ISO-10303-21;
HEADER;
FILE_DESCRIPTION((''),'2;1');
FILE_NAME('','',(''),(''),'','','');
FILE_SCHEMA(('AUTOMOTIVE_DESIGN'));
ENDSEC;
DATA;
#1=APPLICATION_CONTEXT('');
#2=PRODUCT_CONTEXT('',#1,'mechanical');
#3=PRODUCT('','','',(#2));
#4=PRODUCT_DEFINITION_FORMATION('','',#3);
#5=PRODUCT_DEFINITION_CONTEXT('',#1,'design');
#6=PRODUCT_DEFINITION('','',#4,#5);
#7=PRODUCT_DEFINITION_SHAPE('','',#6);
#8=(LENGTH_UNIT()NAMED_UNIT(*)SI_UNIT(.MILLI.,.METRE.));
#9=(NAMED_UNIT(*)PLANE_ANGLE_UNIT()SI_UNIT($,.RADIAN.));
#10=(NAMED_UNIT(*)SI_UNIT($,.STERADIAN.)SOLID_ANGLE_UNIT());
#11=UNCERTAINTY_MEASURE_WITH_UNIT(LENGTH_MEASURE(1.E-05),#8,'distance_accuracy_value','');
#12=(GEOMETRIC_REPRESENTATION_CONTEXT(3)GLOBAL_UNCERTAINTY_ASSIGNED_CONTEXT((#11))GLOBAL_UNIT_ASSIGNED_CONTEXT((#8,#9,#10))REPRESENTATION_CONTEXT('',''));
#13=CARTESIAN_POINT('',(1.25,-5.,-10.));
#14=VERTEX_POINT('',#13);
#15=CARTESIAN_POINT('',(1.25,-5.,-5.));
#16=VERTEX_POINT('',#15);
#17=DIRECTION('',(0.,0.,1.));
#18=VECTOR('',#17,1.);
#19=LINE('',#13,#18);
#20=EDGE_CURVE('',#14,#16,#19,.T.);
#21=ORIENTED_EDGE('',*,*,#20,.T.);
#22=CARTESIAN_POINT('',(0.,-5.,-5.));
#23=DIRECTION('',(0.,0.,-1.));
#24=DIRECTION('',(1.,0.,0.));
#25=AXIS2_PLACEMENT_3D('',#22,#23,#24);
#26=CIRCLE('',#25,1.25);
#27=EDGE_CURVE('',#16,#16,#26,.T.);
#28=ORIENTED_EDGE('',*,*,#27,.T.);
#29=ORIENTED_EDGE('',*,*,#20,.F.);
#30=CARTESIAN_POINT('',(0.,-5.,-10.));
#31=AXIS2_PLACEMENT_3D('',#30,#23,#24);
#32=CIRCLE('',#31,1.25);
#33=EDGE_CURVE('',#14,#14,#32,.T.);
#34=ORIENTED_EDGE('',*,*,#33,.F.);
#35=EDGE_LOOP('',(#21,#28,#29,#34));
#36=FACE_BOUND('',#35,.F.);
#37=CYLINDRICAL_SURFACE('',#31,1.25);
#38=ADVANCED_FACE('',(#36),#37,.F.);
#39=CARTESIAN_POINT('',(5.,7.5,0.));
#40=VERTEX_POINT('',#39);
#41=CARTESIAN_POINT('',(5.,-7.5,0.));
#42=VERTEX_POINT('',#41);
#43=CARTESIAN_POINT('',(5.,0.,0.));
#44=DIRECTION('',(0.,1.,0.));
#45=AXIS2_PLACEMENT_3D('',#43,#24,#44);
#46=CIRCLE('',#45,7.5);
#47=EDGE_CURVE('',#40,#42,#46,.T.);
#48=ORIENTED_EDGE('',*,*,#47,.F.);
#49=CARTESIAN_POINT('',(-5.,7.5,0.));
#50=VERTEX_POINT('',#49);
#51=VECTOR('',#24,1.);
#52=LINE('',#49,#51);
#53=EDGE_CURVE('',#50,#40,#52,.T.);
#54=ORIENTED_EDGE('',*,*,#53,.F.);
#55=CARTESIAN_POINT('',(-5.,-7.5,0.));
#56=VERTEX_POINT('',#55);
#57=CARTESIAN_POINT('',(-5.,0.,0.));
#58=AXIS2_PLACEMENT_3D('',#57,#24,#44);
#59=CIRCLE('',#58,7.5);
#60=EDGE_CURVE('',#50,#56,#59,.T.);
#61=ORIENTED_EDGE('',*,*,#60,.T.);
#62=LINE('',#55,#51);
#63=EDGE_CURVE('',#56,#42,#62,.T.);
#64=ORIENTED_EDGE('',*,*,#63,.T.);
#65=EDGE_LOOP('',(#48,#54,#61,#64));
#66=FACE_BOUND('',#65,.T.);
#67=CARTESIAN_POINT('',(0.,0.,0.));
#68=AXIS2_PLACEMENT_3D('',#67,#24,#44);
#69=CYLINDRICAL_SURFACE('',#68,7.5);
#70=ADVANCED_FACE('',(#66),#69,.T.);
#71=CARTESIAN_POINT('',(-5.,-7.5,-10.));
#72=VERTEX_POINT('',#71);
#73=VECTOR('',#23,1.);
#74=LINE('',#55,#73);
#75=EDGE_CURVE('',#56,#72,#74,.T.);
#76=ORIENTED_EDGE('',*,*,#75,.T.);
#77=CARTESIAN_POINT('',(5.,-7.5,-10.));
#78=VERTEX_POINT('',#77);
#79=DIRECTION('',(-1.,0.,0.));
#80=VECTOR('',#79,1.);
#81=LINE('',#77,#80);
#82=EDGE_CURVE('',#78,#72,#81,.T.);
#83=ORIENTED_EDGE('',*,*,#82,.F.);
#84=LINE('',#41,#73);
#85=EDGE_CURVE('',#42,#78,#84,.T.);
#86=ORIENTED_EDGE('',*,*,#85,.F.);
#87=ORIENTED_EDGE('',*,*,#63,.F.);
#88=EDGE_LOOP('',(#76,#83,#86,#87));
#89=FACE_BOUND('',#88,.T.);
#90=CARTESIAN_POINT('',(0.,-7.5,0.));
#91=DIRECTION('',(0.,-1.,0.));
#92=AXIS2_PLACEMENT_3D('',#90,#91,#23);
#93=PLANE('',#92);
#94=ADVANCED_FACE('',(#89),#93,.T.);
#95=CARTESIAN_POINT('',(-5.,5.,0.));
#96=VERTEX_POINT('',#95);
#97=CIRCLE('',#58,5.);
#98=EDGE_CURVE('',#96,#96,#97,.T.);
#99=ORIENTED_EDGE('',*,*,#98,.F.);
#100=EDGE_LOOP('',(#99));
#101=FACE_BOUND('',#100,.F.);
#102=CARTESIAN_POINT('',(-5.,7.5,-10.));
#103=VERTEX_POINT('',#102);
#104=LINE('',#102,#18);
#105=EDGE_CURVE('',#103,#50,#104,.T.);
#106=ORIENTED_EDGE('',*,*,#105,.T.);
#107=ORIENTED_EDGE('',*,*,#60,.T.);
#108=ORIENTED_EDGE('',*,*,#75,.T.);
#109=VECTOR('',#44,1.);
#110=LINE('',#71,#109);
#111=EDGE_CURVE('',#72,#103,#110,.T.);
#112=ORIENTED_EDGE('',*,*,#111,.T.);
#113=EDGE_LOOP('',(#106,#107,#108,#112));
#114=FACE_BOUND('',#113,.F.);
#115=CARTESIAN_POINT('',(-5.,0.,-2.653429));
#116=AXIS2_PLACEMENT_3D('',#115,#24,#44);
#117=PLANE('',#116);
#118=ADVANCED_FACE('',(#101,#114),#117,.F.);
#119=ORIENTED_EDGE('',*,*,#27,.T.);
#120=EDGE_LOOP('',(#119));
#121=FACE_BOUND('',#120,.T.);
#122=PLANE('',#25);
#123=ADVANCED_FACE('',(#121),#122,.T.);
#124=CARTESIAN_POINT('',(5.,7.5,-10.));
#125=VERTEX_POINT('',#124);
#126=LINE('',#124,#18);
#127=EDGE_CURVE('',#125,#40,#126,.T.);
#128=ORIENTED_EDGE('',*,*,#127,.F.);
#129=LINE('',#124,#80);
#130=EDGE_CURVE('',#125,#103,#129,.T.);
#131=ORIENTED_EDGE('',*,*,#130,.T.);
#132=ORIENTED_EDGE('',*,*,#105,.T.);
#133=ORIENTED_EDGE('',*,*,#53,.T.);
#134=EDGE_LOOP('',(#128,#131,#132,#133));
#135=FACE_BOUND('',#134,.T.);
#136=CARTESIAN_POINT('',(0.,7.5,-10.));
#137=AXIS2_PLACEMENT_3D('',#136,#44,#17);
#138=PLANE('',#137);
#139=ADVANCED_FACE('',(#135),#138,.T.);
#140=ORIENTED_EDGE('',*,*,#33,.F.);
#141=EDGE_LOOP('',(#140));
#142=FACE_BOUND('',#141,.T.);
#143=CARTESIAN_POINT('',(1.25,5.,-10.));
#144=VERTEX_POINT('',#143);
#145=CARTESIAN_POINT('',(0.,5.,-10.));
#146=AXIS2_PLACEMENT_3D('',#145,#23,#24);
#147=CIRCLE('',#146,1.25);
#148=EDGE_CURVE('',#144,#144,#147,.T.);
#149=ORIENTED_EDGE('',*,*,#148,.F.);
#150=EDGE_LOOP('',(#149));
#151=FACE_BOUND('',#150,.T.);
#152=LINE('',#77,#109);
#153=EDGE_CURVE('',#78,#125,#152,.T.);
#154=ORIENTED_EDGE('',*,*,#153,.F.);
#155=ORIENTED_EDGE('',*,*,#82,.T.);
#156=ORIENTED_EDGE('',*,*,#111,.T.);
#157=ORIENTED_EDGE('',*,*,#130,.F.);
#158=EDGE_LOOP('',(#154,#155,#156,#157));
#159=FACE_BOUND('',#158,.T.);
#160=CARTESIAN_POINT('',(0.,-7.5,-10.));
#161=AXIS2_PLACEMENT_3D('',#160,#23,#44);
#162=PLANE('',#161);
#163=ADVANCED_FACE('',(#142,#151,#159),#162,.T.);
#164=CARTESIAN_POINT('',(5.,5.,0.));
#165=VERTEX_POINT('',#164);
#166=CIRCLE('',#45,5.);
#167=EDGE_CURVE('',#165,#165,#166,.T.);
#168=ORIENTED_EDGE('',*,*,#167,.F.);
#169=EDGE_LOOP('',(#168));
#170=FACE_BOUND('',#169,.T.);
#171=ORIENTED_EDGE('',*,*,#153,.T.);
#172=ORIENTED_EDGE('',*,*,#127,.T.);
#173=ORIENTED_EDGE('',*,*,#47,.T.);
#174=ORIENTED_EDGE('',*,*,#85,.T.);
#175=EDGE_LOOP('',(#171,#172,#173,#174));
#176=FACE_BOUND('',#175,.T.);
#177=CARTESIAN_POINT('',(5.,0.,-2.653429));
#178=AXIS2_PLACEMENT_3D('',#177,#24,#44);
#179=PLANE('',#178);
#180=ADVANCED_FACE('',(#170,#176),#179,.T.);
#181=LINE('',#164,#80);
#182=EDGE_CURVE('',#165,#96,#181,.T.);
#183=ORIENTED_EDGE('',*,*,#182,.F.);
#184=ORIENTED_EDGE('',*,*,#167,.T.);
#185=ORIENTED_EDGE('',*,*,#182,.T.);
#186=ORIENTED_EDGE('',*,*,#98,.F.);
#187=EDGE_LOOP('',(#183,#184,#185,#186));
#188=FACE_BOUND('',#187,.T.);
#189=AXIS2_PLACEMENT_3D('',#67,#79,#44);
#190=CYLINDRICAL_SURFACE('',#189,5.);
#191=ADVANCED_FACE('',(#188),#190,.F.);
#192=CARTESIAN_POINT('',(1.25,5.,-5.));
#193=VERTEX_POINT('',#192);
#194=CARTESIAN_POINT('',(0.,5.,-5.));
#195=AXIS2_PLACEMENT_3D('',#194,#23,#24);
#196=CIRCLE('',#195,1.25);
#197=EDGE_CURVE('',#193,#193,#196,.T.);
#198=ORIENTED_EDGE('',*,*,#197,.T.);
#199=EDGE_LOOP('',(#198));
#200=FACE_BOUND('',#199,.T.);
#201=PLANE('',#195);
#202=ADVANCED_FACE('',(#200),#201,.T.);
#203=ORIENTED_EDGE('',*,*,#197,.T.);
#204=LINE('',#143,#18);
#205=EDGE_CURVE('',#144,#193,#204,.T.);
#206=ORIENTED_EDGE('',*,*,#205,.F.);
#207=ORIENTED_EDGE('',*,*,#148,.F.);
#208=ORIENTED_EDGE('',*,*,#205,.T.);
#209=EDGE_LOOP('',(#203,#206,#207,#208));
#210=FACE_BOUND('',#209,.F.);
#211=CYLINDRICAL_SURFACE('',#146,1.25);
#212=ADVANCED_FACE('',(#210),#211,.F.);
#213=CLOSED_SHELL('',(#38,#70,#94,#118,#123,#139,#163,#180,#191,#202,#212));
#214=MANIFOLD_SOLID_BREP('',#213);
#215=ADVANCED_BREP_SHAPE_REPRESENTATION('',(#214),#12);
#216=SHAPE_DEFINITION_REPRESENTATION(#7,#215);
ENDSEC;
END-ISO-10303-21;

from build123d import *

# Parameters (mm, degrees)
F0_R     = 5
F1_DEPTH = 5
F2_R     = 1.25
F3_DEPTH = 5


with BuildPart() as f1:
    # F0 (on Right) → F1 (new body, symmetric)
    with BuildSketch(Plane.YZ):
        with BuildLine():
            Line((7.5, -10), (7.5, 0))
            ThreePointArc((7.5, 0), (0, 7.5), (-7.5, 0))
            Line((-7.5, 0), (-7.5, -10))
            Line((-7.5, -10), (7.5, -10))
        make_face()
        Circle(F0_R, mode=Mode.SUBTRACT)
    extrude(amount=F1_DEPTH, both=True)

    # F2 (on face) → F3 (cut)
    with BuildSketch(Plane(origin=(0, 0, -10), x_dir=(1, 0, 0), z_dir=(0, 0, -1))):
        with Locations((0, -5)):
            Circle(F2_R)
        with Locations((0, 5)):
            Circle(F2_R)
    extrude(amount=-F3_DEPTH, mode=Mode.SUBTRACT)


solid = f1.part
